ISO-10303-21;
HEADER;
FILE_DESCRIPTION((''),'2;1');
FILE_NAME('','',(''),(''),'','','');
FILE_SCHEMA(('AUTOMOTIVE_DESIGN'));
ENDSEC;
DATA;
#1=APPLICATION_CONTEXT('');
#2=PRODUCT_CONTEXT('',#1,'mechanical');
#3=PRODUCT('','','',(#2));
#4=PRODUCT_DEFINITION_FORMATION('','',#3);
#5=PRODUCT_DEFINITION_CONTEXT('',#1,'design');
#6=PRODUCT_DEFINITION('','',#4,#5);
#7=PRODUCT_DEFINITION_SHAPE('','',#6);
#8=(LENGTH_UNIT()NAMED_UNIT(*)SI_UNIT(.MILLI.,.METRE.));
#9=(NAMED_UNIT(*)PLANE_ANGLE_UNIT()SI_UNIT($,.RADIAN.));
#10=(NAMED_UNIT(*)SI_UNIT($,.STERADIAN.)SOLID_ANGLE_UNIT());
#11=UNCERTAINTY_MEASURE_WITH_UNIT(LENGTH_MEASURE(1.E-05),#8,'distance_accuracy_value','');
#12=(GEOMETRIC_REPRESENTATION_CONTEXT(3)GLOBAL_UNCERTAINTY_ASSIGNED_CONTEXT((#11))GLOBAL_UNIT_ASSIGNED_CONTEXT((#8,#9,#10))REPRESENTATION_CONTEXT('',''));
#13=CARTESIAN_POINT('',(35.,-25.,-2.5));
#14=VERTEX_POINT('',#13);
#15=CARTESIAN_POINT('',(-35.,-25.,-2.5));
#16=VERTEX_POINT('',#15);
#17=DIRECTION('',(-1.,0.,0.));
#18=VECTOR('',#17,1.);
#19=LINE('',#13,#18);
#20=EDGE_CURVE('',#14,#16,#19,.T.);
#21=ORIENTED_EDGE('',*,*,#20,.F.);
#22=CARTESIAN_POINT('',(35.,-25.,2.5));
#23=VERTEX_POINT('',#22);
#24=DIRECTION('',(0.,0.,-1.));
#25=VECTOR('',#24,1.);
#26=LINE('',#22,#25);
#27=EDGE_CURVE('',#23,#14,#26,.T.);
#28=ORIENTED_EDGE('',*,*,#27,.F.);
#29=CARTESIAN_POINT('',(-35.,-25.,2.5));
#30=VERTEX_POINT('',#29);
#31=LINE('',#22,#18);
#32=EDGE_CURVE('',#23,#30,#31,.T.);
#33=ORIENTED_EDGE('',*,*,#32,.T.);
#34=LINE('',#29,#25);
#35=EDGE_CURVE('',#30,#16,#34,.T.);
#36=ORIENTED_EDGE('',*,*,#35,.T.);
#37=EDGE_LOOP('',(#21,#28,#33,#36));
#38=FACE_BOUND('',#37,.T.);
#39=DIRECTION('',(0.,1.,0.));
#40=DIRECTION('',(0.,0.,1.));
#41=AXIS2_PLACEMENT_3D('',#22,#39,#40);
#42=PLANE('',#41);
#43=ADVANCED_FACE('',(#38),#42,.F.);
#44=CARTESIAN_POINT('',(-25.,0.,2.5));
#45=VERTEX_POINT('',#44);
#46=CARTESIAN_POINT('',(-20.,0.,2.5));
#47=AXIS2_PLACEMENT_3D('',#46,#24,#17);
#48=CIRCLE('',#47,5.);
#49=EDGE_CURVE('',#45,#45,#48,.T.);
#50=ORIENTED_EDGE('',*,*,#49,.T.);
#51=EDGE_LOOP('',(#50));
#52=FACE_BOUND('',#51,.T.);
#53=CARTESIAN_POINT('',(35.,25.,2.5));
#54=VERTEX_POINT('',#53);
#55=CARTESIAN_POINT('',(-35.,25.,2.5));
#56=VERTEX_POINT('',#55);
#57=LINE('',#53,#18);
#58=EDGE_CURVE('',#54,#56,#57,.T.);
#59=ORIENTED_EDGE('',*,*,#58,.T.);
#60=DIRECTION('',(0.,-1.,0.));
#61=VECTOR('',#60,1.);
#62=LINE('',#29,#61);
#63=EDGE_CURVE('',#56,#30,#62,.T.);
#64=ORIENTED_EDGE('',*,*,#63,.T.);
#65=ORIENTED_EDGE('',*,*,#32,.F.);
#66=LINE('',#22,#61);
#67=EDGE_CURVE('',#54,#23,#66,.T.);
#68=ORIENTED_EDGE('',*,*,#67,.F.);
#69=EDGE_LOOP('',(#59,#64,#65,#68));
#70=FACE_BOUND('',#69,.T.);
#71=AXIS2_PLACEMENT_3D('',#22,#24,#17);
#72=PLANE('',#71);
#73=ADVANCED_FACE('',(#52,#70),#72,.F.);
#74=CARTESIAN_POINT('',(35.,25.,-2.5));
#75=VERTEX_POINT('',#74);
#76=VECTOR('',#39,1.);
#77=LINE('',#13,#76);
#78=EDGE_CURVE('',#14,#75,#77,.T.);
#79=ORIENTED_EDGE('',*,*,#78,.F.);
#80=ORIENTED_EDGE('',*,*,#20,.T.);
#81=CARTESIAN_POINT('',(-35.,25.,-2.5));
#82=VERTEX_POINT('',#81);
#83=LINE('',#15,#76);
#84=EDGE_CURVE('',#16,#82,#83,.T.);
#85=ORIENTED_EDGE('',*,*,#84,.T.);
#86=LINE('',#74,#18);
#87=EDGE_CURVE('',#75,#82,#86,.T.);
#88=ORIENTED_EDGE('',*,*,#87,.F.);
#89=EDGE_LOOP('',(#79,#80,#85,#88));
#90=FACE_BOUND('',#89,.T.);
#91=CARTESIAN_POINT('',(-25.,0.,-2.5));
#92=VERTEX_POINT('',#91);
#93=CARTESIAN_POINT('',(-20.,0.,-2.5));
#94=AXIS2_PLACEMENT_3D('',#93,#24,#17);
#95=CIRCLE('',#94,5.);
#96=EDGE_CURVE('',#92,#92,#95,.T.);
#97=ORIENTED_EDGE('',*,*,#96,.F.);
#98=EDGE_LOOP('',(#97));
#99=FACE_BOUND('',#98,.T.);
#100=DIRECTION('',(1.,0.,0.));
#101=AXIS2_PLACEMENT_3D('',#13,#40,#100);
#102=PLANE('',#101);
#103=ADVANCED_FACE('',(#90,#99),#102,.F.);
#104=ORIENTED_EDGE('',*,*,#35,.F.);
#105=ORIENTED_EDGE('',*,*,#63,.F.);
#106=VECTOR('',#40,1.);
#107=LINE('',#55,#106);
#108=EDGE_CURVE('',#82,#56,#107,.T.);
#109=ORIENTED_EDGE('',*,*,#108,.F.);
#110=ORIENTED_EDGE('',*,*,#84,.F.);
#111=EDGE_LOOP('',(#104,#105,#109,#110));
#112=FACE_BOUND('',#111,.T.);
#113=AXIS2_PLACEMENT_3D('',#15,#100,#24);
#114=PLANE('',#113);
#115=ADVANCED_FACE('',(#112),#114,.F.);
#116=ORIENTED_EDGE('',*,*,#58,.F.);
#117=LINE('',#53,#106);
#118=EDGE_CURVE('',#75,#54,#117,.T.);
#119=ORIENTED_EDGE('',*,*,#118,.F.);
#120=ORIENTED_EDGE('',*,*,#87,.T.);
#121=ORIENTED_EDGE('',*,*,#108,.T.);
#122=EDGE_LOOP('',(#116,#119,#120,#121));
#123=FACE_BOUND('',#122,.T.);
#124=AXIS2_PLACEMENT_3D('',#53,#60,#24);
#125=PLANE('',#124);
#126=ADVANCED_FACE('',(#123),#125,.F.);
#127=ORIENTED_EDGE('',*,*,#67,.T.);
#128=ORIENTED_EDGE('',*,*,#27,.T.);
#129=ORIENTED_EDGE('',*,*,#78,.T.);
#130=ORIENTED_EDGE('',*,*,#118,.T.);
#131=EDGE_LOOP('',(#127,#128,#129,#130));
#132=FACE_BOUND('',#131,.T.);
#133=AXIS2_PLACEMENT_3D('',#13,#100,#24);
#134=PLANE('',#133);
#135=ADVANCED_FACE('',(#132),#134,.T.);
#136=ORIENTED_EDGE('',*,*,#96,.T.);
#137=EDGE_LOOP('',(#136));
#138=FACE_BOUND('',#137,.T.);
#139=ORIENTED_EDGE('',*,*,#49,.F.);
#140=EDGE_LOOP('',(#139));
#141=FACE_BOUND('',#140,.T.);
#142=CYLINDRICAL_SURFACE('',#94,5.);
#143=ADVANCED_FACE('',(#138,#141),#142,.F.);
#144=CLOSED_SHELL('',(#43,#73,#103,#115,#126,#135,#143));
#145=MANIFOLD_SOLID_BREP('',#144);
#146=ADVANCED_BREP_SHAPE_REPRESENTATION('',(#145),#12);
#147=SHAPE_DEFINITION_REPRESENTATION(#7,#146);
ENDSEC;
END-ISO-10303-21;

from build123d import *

# Parameters (mm, degrees)
PLAT_W                          = 50
PLAT_H                          = 5
EL_MENT_M_CANO_SOUD_1_DEPTH     = 70
DIAM_TRE_DU_PER_AGE_10_0_10_1_D = 10


with BuildPart() as part:
    # plat → Elément mécano-soudé1 (new body)
    with BuildSketch(Plane.YZ.offset(-35)):
        Rectangle(PLAT_W, PLAT_H)
    extrude(amount=EL_MENT_M_CANO_SOUD_1_DEPTH)

    # Diamètre du perçage Ø10.0 (10)1 (through all)
    with Locations(Plane(origin=(0, 0, -2.5), x_dir=(-1, 0, 0), z_dir=(0, 0, -1))):
        with Locations((20, 0)):
            Hole(DIAM_TRE_DU_PER_AGE_10_0_10_1_D / 2)


solid = part.part
